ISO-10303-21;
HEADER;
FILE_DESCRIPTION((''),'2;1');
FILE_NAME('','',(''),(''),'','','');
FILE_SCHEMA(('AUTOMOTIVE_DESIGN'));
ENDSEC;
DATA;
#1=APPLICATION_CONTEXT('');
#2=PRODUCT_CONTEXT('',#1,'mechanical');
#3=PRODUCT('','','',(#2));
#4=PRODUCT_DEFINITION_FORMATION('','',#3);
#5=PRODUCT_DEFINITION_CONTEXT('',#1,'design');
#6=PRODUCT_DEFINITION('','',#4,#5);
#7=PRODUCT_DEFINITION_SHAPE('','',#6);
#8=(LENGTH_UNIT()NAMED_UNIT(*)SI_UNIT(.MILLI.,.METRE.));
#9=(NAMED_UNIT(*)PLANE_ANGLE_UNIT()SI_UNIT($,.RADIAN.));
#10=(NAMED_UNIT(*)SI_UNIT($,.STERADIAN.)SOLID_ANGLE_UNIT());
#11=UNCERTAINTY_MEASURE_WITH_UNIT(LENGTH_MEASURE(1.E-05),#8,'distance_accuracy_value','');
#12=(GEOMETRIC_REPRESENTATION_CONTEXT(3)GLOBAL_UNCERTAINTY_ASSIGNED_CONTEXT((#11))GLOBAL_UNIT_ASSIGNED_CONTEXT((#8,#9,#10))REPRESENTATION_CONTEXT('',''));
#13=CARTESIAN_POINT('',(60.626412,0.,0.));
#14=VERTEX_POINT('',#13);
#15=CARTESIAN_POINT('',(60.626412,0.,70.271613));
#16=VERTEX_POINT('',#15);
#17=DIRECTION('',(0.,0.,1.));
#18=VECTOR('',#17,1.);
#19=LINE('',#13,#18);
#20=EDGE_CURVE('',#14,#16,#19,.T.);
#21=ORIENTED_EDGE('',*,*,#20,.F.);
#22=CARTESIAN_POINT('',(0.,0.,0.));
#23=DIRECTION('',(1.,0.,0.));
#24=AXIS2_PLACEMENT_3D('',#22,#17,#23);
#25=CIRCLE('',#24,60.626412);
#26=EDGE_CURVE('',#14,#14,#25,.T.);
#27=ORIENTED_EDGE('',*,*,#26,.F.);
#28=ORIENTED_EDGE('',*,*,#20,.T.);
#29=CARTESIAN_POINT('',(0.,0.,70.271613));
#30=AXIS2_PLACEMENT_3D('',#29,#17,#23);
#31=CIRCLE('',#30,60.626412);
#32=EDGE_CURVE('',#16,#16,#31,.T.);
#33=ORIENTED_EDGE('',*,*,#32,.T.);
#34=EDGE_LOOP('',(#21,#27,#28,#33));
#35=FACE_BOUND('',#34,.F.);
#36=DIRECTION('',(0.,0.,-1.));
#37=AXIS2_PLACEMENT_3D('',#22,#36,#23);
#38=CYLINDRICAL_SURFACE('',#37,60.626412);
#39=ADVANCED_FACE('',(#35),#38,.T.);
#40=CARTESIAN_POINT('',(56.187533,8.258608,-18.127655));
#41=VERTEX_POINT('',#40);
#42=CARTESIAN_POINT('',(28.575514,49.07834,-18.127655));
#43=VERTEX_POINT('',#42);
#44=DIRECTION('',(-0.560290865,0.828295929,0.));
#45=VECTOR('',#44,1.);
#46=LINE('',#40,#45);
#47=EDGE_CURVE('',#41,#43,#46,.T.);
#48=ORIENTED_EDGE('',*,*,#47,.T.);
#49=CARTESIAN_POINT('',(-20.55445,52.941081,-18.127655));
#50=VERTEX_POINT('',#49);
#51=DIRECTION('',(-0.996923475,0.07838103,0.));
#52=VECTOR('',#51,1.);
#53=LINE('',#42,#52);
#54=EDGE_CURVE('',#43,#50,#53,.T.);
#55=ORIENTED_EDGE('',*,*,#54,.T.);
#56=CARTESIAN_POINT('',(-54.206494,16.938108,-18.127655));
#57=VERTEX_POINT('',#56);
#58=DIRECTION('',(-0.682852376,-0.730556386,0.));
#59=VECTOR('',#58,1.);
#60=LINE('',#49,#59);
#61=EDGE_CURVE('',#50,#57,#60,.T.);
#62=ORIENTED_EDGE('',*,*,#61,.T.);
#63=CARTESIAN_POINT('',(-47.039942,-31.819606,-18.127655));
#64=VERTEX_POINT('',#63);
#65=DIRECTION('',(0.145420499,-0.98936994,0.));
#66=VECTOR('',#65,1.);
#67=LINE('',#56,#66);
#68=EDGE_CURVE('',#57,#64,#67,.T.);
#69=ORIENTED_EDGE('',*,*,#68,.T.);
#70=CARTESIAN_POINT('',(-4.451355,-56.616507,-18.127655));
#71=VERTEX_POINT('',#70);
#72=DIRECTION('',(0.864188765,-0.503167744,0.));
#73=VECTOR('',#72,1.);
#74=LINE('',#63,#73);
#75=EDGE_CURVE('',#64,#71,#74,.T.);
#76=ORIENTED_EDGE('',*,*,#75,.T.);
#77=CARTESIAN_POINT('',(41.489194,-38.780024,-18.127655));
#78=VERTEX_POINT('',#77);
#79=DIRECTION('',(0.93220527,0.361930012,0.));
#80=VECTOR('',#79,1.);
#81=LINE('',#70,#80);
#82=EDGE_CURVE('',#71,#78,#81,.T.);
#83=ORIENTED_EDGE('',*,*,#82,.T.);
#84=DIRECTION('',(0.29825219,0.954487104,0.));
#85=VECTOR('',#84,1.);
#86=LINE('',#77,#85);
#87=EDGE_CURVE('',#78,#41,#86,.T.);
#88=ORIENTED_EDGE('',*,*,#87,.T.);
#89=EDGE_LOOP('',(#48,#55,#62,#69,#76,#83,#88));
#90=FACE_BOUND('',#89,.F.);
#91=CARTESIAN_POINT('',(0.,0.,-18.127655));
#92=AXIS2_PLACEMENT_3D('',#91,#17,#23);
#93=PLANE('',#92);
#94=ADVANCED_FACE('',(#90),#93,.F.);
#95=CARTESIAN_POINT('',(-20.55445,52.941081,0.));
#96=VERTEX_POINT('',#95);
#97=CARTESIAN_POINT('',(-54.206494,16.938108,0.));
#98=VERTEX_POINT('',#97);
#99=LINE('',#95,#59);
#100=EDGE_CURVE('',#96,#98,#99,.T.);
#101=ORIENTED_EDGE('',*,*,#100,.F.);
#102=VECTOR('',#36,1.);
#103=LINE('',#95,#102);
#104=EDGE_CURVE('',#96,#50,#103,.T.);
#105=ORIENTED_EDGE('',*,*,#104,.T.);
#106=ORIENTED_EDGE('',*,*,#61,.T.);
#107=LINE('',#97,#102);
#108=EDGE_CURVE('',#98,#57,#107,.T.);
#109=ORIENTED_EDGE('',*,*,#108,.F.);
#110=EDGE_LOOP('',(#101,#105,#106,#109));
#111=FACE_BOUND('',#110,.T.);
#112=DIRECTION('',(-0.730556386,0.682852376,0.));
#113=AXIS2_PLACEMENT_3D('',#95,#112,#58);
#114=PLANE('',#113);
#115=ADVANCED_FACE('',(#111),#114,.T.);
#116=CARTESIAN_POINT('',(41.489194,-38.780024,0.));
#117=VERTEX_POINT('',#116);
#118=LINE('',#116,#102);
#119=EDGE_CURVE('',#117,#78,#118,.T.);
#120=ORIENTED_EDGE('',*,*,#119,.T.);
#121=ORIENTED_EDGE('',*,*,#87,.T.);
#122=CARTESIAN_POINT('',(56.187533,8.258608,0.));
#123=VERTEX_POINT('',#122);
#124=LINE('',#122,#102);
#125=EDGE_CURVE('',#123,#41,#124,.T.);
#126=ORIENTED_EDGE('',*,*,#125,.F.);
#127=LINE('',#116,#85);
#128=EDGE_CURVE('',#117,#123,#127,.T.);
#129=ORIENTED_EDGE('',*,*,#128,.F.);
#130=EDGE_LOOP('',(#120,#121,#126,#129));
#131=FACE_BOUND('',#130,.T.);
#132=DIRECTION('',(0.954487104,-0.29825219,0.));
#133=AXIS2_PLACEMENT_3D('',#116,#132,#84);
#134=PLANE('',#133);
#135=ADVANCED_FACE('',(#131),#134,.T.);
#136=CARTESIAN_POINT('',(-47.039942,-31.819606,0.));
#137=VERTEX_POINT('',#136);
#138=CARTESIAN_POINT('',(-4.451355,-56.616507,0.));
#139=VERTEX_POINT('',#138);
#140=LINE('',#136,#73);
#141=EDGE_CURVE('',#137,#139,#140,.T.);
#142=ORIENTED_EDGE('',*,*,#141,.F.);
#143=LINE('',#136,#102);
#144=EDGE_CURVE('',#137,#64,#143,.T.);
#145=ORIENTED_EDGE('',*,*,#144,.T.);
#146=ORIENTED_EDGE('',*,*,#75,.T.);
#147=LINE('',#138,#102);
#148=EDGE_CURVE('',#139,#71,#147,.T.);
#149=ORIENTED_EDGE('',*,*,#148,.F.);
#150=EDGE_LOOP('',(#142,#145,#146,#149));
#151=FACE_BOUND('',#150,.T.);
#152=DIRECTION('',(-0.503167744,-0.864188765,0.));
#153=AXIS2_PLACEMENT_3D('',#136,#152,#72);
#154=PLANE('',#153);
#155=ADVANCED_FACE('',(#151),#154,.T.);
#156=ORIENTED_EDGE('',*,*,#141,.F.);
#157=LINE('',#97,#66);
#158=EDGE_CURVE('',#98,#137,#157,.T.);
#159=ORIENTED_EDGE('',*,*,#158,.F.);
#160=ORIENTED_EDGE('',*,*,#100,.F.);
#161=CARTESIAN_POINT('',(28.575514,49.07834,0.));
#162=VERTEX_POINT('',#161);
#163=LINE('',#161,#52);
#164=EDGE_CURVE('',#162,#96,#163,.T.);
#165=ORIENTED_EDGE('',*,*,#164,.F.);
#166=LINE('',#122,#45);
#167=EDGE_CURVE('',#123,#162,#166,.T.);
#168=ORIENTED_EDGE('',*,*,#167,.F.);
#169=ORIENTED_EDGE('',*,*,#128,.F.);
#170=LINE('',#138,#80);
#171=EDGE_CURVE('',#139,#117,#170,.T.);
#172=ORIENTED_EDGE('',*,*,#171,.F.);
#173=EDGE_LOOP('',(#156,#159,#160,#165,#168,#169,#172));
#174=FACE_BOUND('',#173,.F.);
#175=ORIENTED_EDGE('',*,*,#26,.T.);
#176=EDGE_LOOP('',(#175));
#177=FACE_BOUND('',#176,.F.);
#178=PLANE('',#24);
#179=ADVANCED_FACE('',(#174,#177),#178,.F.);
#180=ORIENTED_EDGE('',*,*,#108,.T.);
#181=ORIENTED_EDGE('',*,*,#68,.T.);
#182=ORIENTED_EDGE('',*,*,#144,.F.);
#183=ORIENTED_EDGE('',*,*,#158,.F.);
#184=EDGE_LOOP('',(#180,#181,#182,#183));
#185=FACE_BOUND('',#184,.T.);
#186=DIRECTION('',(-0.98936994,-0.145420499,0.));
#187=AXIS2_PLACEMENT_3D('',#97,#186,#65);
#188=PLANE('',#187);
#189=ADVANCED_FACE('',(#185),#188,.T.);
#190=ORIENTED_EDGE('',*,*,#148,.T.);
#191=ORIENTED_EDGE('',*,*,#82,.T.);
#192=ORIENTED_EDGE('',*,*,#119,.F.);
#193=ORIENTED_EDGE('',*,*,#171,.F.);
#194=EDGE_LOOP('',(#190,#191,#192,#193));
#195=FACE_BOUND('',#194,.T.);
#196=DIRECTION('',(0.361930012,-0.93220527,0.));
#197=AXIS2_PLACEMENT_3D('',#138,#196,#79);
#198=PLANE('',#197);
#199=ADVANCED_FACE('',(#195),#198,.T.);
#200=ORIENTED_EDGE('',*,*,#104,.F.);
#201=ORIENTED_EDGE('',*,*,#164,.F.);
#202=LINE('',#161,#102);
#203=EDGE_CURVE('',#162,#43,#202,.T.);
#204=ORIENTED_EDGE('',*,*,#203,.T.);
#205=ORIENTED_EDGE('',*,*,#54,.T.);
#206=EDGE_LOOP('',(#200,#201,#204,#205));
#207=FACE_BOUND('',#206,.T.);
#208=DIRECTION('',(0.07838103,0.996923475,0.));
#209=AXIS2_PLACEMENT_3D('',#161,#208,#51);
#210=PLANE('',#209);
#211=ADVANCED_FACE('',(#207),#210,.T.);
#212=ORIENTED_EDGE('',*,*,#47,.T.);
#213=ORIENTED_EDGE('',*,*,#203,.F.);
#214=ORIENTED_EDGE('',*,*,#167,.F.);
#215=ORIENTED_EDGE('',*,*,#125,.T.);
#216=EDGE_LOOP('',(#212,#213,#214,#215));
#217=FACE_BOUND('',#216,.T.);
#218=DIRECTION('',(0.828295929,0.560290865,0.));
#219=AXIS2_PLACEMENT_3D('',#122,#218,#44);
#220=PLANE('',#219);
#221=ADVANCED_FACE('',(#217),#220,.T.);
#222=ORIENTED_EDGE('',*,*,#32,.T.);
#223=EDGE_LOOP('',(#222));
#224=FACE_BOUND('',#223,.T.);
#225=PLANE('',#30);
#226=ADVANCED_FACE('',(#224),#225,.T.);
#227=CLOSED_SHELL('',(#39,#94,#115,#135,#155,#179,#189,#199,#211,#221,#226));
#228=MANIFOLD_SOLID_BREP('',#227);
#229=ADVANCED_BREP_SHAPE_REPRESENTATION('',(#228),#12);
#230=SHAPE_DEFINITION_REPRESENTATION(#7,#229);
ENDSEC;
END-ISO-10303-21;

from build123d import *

# Parameters (mm, degrees)
F0_R     = 60.626412
F2_DEPTH = 70.271613
F3_DEPTH = 18.127655


with BuildPart() as f2:
    # F0 (on Top) → F2 (new body)
    with BuildSketch(Plane.XY):
        Circle(F0_R)
    extrude(amount=F2_DEPTH)

    # F1 (on face) → F3 (join)
    with BuildSketch(Plane.XY):
        Polygon((-20.55445, 52.941081), (-54.206494, 16.938108), (-47.039942, -31.819606), (-4.451355, -56.616507), (41.489194, -38.780024), (56.187533, 8.258608), (28.575514, 49.07834), align=None)
    extrude(amount=-F3_DEPTH)


solid = f2.part
